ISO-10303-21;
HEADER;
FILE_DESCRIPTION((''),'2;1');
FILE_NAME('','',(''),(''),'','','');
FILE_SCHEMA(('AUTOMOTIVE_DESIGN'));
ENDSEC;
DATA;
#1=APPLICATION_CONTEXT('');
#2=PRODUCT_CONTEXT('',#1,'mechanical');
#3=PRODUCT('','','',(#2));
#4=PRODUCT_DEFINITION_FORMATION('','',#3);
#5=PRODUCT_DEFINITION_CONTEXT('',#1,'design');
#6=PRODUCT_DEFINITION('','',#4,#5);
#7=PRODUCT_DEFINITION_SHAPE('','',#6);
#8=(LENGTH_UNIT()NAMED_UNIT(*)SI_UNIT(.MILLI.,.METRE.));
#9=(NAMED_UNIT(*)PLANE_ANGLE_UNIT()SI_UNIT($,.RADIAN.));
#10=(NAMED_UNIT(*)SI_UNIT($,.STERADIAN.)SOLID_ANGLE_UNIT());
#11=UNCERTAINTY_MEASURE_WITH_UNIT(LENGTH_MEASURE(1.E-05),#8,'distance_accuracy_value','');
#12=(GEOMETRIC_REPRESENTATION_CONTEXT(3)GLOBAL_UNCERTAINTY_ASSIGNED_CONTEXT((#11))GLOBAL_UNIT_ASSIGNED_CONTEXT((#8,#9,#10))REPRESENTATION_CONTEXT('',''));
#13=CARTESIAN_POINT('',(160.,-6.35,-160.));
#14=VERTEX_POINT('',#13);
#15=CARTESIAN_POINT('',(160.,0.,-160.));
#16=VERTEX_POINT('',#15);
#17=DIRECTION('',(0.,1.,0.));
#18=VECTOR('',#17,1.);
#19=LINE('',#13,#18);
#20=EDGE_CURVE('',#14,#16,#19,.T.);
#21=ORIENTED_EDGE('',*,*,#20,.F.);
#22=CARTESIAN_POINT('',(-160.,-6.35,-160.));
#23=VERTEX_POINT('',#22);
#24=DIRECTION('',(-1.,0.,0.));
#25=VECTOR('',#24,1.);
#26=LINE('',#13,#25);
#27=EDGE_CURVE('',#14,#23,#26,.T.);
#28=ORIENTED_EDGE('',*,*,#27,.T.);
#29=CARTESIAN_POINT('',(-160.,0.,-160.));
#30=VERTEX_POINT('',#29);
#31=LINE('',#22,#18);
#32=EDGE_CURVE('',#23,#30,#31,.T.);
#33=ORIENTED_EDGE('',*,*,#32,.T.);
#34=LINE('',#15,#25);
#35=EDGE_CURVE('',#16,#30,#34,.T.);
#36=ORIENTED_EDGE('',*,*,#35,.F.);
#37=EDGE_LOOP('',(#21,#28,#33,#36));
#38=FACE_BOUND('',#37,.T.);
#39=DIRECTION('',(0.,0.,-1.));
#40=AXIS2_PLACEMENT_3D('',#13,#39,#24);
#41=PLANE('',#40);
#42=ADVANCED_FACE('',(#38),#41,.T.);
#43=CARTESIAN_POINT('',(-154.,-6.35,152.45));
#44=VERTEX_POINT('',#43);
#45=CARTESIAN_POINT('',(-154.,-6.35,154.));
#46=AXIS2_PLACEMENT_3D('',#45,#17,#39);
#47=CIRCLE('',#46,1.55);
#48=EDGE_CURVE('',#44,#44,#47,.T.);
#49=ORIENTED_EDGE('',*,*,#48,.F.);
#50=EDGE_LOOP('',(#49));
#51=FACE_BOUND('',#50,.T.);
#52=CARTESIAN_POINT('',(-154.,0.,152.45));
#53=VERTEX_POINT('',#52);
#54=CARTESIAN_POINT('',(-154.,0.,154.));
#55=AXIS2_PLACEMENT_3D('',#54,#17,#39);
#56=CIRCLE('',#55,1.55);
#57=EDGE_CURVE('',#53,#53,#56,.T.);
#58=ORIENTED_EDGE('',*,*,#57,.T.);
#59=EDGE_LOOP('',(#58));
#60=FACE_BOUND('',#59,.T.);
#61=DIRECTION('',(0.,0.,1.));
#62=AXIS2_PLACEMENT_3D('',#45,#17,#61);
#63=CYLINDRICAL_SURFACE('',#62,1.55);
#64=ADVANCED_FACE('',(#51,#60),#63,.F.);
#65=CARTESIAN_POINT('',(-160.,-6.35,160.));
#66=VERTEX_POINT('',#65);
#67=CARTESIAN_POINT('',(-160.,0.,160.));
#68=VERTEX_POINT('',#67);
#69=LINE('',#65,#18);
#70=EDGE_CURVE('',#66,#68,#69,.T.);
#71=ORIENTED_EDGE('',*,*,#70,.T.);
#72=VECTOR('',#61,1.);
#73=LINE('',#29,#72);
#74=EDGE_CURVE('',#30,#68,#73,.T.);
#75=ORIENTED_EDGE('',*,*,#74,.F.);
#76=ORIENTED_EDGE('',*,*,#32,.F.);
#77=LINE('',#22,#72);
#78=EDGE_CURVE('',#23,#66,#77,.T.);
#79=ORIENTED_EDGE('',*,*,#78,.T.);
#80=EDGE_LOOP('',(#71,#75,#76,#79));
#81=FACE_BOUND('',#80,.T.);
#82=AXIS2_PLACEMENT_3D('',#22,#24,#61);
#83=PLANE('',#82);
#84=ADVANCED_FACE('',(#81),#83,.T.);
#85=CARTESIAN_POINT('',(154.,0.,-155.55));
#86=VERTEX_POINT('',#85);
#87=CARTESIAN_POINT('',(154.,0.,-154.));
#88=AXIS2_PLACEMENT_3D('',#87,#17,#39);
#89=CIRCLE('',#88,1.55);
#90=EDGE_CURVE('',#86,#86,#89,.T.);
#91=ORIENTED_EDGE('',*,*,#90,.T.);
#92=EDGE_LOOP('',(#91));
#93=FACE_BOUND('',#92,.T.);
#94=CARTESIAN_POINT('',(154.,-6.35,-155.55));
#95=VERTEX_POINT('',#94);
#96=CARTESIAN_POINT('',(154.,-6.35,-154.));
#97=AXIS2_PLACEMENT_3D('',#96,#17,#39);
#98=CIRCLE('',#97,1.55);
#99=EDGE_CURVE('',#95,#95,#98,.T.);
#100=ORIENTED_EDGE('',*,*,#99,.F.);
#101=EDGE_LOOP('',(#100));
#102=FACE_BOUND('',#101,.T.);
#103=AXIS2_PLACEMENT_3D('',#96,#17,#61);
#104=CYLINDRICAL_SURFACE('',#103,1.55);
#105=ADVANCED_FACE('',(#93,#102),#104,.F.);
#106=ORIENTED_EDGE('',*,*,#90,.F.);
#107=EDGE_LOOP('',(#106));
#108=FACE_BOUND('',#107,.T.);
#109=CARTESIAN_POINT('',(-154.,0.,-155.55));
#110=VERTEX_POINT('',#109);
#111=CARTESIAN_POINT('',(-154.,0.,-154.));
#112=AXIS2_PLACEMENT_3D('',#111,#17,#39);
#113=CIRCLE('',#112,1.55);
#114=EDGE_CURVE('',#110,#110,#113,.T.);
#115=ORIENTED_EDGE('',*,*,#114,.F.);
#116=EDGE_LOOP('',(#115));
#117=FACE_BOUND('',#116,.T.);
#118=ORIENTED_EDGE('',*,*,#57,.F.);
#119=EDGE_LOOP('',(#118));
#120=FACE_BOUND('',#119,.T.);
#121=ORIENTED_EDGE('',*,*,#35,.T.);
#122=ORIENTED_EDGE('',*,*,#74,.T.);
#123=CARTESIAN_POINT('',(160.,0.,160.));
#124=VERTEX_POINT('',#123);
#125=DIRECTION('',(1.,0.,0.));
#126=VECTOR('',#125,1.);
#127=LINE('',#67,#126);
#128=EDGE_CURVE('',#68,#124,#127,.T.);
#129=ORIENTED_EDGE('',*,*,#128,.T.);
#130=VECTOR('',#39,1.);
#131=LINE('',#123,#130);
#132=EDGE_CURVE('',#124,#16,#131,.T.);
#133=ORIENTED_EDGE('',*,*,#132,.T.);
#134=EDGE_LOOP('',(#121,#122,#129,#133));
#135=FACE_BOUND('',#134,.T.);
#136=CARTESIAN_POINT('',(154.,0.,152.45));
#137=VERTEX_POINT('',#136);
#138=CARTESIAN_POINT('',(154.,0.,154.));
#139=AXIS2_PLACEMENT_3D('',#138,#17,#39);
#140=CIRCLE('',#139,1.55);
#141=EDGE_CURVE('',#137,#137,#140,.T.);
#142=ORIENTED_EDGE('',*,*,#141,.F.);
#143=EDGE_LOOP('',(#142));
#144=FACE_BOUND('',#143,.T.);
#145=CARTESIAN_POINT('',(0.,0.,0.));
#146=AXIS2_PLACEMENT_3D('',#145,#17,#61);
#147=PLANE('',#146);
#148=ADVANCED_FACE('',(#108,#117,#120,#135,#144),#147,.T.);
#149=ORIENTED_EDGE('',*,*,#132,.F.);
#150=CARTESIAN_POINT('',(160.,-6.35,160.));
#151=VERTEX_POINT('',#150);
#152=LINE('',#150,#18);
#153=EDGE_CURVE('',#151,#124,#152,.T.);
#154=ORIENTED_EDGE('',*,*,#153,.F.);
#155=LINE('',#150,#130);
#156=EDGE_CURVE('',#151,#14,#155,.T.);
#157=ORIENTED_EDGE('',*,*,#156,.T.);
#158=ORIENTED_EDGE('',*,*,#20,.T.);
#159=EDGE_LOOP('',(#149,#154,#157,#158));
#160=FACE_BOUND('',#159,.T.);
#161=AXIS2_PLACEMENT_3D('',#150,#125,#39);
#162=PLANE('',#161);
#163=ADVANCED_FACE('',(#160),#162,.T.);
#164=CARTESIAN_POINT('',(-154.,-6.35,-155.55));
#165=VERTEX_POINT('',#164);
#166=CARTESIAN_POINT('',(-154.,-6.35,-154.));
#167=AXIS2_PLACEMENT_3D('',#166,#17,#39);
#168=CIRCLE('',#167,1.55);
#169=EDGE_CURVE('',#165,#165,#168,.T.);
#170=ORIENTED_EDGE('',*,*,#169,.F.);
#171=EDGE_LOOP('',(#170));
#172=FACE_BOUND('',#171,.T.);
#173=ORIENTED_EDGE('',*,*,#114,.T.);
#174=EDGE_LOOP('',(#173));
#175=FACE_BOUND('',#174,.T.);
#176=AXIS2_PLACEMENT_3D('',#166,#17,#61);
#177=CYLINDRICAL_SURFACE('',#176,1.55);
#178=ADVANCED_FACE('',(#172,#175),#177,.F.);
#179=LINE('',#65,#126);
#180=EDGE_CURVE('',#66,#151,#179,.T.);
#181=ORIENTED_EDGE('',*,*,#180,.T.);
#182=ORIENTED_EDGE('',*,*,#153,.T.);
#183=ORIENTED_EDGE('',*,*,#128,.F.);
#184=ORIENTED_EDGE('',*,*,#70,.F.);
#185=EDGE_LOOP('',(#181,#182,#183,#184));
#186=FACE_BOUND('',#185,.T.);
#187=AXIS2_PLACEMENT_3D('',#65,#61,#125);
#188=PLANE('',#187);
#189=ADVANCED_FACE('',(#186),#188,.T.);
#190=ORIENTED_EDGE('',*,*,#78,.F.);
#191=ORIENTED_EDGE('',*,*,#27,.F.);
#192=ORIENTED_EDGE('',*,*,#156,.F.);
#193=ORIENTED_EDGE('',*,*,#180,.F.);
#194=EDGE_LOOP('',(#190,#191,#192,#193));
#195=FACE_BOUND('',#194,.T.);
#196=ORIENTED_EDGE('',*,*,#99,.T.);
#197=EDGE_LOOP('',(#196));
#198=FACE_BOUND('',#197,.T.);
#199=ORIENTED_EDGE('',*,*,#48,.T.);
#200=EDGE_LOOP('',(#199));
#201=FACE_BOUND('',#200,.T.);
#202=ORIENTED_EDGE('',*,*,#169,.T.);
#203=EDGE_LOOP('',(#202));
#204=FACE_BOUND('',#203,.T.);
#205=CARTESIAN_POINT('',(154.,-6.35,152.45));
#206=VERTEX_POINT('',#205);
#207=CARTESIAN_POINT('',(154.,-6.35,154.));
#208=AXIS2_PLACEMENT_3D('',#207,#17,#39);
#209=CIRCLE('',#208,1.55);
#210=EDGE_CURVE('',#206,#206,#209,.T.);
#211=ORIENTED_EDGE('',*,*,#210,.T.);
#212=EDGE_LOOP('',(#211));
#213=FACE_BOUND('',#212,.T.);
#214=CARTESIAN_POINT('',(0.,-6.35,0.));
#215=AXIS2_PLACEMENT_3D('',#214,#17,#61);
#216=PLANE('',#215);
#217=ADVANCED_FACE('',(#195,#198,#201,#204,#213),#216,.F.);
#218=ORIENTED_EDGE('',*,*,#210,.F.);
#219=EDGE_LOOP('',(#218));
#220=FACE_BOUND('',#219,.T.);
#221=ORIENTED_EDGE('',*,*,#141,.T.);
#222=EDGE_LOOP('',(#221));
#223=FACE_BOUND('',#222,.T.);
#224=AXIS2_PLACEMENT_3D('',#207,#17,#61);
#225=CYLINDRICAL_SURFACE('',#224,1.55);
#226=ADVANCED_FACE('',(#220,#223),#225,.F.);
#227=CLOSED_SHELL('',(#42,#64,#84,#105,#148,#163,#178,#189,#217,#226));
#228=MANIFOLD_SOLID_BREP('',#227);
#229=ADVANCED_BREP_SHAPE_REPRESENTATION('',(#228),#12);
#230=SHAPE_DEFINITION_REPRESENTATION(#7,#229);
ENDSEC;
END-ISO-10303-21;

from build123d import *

# Parameters (mm, degrees)
SKETCH1_W           = 320
SKETCH1_H           = 320
SKETCH1_R           = 1.55
BOSS_EXTRUDE1_DEPTH = 6.35


with BuildPart() as part:
    # Sketch1 → Boss-Extrude1 (new body)
    with BuildSketch(Plane(origin=(0, 0, 0), x_dir=(1, 0, 0), z_dir=(0, 1, 0))):
        Rectangle(SKETCH1_W, SKETCH1_H)
        with Locations((154, 154)):
            Circle(SKETCH1_R, mode=Mode.SUBTRACT)
        with Locations((-154, -154)):
            Circle(SKETCH1_R, mode=Mode.SUBTRACT)
        with Locations((154, -154)):
            Circle(SKETCH1_R, mode=Mode.SUBTRACT)
        with Locations((-154, 154)):
            Circle(SKETCH1_R, mode=Mode.SUBTRACT)
    extrude(amount=-BOSS_EXTRUDE1_DEPTH)


solid = part.part
